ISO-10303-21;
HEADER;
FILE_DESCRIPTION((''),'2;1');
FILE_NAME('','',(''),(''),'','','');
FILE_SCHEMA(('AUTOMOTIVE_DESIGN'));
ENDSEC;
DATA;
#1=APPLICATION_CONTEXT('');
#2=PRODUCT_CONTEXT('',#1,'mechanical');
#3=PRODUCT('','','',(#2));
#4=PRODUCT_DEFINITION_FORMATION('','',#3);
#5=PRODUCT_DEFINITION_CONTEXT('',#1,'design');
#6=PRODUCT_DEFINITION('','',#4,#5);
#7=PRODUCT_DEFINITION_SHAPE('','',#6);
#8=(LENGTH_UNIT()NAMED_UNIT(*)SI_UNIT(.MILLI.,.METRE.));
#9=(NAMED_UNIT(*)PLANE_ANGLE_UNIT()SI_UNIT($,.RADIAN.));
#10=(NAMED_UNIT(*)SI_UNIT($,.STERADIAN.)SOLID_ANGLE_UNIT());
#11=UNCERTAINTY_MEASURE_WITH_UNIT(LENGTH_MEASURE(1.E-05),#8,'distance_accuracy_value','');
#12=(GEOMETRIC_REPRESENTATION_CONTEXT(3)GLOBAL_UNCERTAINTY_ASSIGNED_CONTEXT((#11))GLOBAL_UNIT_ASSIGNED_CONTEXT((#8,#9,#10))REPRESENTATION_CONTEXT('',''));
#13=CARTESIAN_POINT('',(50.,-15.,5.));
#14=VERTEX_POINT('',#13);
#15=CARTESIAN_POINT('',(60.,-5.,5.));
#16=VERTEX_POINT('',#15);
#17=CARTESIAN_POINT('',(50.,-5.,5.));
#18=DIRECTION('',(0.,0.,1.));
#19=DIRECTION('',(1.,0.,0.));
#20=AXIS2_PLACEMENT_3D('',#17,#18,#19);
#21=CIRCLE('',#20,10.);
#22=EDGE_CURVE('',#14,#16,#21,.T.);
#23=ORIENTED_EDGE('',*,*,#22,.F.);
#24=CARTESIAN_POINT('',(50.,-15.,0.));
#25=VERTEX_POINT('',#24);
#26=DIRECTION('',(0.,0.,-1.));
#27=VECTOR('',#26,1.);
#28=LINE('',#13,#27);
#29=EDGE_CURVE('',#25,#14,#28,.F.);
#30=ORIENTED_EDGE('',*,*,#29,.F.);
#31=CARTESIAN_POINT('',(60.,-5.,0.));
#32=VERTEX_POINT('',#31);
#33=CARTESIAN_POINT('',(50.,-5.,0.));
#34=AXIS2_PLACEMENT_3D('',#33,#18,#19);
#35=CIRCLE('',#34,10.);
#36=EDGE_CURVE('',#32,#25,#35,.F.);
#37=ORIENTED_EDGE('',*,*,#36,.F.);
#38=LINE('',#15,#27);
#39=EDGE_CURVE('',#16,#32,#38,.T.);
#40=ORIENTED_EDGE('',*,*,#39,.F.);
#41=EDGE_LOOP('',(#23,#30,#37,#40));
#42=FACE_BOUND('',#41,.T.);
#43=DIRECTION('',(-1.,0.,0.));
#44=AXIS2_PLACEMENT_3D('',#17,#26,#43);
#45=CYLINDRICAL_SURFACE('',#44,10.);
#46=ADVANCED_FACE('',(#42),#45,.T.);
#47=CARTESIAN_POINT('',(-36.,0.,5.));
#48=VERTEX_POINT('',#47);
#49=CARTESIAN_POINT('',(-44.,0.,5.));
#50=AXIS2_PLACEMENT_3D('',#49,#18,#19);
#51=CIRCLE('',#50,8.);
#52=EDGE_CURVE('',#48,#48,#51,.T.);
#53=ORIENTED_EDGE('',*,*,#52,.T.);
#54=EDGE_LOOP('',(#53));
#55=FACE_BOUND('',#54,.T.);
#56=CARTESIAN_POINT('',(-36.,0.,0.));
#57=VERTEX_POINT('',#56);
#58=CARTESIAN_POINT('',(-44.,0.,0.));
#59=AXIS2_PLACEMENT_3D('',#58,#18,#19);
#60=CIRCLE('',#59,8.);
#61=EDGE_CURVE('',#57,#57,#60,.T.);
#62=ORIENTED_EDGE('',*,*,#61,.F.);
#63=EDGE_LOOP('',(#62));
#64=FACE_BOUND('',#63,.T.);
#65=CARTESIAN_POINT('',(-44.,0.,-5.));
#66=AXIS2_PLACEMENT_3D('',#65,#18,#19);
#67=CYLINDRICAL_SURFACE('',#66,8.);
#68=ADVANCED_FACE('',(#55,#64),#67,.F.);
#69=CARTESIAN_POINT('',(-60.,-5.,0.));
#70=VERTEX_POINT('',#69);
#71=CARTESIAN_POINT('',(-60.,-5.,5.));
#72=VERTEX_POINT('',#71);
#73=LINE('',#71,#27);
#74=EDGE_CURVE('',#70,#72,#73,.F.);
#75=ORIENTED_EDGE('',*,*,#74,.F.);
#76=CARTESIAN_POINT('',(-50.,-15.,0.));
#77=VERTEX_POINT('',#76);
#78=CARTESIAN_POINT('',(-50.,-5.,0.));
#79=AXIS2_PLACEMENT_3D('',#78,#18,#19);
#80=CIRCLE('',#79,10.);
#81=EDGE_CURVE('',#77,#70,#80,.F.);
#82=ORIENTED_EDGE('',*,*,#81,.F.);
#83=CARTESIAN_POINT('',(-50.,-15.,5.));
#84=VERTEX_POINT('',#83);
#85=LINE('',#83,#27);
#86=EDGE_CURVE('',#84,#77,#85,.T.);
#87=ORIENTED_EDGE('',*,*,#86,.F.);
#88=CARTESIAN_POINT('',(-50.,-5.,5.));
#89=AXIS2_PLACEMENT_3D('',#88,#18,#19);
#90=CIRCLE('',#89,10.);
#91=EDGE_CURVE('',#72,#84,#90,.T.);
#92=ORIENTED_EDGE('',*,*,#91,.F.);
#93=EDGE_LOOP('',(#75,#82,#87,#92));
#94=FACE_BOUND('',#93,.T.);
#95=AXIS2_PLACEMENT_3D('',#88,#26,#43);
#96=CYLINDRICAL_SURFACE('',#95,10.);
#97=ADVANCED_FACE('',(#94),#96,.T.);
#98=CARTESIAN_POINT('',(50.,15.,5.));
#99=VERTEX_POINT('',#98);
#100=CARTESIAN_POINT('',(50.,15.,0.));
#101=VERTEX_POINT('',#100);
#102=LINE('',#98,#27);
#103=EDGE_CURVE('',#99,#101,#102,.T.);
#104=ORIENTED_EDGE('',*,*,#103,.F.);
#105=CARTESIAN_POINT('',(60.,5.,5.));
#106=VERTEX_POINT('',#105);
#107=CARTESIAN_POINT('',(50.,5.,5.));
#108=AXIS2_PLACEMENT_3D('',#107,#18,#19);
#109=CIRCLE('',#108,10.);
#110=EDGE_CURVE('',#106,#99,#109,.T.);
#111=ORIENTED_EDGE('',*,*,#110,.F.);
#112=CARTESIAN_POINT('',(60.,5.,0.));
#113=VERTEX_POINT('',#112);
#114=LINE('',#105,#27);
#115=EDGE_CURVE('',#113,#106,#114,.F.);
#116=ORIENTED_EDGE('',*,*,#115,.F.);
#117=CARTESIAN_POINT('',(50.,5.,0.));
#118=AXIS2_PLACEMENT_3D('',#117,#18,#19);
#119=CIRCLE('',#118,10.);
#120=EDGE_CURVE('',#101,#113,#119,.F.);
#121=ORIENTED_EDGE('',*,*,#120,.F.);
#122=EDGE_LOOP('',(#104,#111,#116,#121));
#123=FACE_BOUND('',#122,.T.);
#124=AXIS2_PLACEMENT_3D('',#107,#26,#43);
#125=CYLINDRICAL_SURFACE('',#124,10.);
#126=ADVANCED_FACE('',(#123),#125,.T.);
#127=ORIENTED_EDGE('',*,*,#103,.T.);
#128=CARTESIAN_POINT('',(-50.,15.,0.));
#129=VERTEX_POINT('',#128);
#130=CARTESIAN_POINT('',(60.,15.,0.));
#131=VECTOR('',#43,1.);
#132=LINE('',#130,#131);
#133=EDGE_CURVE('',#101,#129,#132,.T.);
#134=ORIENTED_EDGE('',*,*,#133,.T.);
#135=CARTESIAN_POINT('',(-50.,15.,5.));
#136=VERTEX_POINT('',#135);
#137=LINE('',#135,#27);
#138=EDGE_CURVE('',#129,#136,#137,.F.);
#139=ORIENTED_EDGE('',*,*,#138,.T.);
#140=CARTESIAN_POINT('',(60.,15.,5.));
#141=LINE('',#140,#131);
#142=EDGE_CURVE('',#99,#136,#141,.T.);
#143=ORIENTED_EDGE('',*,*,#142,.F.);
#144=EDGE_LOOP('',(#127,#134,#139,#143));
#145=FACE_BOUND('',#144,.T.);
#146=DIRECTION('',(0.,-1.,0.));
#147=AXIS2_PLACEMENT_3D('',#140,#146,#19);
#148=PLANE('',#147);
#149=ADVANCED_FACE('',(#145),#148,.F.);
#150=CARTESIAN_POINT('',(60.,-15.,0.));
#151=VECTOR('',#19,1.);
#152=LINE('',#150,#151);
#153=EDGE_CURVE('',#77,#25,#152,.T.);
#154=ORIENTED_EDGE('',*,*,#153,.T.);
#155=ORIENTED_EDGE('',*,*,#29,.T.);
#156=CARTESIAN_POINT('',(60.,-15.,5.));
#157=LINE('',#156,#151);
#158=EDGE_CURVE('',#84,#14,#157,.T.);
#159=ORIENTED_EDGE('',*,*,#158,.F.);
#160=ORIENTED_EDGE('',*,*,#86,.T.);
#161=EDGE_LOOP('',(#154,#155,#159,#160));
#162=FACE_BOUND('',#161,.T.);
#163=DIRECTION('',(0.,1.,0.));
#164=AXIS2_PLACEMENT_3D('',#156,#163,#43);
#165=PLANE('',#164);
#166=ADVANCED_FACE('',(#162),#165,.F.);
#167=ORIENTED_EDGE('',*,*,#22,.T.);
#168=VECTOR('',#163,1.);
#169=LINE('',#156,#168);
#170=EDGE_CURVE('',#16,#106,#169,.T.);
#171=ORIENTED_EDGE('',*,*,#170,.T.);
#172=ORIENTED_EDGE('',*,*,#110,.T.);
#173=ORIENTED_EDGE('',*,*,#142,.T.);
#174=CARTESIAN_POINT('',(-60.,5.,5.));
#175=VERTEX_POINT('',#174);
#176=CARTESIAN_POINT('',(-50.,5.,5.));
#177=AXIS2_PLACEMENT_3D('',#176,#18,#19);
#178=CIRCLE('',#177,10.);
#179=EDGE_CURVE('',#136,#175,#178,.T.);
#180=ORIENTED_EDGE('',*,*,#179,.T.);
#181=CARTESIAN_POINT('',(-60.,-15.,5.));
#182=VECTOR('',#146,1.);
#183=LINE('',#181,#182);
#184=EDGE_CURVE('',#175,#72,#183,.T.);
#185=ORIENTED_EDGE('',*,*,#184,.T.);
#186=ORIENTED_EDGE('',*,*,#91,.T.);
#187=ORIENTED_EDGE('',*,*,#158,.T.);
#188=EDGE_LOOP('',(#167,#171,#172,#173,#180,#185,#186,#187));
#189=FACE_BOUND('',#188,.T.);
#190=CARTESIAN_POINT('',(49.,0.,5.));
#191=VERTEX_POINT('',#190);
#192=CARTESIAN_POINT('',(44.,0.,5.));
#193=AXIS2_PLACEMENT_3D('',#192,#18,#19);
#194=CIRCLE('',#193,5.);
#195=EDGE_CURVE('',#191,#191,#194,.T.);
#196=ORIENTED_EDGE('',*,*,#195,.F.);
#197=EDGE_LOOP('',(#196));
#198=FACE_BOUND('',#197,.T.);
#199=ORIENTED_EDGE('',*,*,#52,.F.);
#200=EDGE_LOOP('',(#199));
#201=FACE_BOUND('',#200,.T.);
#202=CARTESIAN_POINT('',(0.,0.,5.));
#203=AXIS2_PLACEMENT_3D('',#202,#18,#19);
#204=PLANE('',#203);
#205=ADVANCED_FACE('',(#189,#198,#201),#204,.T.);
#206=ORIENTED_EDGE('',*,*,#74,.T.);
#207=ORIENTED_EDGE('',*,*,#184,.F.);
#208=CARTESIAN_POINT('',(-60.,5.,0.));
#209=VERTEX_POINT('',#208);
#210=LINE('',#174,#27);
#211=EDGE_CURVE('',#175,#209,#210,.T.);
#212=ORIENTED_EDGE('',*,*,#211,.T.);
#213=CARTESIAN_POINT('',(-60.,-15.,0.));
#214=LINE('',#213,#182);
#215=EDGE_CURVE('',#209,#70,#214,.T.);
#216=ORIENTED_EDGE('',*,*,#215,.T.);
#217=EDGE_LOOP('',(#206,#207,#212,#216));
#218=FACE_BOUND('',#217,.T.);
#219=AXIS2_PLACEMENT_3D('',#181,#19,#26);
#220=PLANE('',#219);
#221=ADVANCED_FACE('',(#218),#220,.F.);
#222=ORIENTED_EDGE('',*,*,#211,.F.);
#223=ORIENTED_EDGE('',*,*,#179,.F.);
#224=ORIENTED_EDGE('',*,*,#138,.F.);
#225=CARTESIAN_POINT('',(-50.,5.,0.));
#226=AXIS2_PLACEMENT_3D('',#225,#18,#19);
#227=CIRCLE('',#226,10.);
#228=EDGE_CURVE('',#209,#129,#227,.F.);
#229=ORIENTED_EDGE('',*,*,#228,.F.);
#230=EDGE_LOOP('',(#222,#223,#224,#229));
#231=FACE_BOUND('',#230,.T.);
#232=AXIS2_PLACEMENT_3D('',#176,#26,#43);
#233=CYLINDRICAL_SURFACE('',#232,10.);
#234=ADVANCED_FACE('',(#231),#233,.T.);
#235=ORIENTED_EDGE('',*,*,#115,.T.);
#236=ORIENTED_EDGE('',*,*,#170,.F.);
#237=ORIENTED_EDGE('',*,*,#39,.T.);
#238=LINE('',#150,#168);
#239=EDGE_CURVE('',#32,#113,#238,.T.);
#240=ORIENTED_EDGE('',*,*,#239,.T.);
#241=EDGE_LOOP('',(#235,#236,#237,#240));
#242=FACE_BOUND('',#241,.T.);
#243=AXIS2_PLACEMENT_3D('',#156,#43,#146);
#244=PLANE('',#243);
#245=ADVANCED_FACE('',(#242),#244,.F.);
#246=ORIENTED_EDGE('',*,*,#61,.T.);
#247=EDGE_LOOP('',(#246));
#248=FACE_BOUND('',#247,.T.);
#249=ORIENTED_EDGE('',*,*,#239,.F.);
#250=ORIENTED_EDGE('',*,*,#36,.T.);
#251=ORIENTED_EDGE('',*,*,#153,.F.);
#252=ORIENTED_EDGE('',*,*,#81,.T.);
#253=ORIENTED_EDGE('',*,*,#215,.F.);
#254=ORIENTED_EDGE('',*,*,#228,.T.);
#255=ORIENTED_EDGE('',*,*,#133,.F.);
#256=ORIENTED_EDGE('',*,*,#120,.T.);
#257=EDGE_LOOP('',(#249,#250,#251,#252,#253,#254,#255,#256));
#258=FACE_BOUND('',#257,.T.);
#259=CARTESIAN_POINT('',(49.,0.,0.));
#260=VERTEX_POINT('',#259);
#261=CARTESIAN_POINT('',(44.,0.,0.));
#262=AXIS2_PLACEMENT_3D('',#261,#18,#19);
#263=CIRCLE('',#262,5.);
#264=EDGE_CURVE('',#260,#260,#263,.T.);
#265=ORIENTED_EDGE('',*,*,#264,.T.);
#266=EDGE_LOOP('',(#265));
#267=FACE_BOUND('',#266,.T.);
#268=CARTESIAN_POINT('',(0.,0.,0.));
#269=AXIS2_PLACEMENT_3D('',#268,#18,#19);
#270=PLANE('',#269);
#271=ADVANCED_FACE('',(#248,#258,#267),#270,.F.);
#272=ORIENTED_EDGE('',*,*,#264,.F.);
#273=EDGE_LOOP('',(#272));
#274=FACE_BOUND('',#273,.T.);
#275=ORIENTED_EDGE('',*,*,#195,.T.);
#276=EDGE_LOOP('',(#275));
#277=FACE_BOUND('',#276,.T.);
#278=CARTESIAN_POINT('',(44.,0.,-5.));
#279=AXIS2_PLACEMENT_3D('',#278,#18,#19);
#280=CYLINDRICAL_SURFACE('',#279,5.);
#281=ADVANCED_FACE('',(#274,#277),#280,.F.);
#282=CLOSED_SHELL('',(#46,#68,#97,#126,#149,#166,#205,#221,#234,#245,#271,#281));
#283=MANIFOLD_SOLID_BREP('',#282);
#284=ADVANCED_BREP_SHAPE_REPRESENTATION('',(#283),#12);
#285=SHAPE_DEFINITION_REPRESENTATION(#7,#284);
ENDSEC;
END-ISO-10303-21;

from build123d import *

# Parameters (mm, degrees)
ESQUISSE1_W             = 120
ESQUISSE1_H             = 30
BOSS_EXTRU_1_DEPTH      = 5
ESQUISSE2_R             = 8
ESQUISSE2_R_2           = 5
ENL_V_MAT_EXTRU_1_DEPTH = 10
CONG_1_R                = 10


with BuildPart() as part:
    # Esquisse1 → Boss.-Extru.1 (new body)
    with BuildSketch(Plane.XY):
        Rectangle(ESQUISSE1_W, ESQUISSE1_H)
    extrude(amount=BOSS_EXTRU_1_DEPTH)

    # Esquisse2 → Enlèv. mat.-Extru.1 (cut)
    with BuildSketch(Plane.XY.offset(5)):
        with Locations((-44, 0)):
            Circle(ESQUISSE2_R)
        with Locations((44, 0)):
            Circle(ESQUISSE2_R_2)
    extrude(amount=-ENL_V_MAT_EXTRU_1_DEPTH, mode=Mode.SUBTRACT)

    # Congé1
    cong_1_edges = [part.edges().sort_by_distance(p)[0] for p in [
        (-60, 15, 2.5),
        (60, 15, 2.5),
        (60, -15, 2.5),
        (-60, -15, 2.5),
    ]]
    fillet(cong_1_edges, radius=CONG_1_R)


solid = part.part
